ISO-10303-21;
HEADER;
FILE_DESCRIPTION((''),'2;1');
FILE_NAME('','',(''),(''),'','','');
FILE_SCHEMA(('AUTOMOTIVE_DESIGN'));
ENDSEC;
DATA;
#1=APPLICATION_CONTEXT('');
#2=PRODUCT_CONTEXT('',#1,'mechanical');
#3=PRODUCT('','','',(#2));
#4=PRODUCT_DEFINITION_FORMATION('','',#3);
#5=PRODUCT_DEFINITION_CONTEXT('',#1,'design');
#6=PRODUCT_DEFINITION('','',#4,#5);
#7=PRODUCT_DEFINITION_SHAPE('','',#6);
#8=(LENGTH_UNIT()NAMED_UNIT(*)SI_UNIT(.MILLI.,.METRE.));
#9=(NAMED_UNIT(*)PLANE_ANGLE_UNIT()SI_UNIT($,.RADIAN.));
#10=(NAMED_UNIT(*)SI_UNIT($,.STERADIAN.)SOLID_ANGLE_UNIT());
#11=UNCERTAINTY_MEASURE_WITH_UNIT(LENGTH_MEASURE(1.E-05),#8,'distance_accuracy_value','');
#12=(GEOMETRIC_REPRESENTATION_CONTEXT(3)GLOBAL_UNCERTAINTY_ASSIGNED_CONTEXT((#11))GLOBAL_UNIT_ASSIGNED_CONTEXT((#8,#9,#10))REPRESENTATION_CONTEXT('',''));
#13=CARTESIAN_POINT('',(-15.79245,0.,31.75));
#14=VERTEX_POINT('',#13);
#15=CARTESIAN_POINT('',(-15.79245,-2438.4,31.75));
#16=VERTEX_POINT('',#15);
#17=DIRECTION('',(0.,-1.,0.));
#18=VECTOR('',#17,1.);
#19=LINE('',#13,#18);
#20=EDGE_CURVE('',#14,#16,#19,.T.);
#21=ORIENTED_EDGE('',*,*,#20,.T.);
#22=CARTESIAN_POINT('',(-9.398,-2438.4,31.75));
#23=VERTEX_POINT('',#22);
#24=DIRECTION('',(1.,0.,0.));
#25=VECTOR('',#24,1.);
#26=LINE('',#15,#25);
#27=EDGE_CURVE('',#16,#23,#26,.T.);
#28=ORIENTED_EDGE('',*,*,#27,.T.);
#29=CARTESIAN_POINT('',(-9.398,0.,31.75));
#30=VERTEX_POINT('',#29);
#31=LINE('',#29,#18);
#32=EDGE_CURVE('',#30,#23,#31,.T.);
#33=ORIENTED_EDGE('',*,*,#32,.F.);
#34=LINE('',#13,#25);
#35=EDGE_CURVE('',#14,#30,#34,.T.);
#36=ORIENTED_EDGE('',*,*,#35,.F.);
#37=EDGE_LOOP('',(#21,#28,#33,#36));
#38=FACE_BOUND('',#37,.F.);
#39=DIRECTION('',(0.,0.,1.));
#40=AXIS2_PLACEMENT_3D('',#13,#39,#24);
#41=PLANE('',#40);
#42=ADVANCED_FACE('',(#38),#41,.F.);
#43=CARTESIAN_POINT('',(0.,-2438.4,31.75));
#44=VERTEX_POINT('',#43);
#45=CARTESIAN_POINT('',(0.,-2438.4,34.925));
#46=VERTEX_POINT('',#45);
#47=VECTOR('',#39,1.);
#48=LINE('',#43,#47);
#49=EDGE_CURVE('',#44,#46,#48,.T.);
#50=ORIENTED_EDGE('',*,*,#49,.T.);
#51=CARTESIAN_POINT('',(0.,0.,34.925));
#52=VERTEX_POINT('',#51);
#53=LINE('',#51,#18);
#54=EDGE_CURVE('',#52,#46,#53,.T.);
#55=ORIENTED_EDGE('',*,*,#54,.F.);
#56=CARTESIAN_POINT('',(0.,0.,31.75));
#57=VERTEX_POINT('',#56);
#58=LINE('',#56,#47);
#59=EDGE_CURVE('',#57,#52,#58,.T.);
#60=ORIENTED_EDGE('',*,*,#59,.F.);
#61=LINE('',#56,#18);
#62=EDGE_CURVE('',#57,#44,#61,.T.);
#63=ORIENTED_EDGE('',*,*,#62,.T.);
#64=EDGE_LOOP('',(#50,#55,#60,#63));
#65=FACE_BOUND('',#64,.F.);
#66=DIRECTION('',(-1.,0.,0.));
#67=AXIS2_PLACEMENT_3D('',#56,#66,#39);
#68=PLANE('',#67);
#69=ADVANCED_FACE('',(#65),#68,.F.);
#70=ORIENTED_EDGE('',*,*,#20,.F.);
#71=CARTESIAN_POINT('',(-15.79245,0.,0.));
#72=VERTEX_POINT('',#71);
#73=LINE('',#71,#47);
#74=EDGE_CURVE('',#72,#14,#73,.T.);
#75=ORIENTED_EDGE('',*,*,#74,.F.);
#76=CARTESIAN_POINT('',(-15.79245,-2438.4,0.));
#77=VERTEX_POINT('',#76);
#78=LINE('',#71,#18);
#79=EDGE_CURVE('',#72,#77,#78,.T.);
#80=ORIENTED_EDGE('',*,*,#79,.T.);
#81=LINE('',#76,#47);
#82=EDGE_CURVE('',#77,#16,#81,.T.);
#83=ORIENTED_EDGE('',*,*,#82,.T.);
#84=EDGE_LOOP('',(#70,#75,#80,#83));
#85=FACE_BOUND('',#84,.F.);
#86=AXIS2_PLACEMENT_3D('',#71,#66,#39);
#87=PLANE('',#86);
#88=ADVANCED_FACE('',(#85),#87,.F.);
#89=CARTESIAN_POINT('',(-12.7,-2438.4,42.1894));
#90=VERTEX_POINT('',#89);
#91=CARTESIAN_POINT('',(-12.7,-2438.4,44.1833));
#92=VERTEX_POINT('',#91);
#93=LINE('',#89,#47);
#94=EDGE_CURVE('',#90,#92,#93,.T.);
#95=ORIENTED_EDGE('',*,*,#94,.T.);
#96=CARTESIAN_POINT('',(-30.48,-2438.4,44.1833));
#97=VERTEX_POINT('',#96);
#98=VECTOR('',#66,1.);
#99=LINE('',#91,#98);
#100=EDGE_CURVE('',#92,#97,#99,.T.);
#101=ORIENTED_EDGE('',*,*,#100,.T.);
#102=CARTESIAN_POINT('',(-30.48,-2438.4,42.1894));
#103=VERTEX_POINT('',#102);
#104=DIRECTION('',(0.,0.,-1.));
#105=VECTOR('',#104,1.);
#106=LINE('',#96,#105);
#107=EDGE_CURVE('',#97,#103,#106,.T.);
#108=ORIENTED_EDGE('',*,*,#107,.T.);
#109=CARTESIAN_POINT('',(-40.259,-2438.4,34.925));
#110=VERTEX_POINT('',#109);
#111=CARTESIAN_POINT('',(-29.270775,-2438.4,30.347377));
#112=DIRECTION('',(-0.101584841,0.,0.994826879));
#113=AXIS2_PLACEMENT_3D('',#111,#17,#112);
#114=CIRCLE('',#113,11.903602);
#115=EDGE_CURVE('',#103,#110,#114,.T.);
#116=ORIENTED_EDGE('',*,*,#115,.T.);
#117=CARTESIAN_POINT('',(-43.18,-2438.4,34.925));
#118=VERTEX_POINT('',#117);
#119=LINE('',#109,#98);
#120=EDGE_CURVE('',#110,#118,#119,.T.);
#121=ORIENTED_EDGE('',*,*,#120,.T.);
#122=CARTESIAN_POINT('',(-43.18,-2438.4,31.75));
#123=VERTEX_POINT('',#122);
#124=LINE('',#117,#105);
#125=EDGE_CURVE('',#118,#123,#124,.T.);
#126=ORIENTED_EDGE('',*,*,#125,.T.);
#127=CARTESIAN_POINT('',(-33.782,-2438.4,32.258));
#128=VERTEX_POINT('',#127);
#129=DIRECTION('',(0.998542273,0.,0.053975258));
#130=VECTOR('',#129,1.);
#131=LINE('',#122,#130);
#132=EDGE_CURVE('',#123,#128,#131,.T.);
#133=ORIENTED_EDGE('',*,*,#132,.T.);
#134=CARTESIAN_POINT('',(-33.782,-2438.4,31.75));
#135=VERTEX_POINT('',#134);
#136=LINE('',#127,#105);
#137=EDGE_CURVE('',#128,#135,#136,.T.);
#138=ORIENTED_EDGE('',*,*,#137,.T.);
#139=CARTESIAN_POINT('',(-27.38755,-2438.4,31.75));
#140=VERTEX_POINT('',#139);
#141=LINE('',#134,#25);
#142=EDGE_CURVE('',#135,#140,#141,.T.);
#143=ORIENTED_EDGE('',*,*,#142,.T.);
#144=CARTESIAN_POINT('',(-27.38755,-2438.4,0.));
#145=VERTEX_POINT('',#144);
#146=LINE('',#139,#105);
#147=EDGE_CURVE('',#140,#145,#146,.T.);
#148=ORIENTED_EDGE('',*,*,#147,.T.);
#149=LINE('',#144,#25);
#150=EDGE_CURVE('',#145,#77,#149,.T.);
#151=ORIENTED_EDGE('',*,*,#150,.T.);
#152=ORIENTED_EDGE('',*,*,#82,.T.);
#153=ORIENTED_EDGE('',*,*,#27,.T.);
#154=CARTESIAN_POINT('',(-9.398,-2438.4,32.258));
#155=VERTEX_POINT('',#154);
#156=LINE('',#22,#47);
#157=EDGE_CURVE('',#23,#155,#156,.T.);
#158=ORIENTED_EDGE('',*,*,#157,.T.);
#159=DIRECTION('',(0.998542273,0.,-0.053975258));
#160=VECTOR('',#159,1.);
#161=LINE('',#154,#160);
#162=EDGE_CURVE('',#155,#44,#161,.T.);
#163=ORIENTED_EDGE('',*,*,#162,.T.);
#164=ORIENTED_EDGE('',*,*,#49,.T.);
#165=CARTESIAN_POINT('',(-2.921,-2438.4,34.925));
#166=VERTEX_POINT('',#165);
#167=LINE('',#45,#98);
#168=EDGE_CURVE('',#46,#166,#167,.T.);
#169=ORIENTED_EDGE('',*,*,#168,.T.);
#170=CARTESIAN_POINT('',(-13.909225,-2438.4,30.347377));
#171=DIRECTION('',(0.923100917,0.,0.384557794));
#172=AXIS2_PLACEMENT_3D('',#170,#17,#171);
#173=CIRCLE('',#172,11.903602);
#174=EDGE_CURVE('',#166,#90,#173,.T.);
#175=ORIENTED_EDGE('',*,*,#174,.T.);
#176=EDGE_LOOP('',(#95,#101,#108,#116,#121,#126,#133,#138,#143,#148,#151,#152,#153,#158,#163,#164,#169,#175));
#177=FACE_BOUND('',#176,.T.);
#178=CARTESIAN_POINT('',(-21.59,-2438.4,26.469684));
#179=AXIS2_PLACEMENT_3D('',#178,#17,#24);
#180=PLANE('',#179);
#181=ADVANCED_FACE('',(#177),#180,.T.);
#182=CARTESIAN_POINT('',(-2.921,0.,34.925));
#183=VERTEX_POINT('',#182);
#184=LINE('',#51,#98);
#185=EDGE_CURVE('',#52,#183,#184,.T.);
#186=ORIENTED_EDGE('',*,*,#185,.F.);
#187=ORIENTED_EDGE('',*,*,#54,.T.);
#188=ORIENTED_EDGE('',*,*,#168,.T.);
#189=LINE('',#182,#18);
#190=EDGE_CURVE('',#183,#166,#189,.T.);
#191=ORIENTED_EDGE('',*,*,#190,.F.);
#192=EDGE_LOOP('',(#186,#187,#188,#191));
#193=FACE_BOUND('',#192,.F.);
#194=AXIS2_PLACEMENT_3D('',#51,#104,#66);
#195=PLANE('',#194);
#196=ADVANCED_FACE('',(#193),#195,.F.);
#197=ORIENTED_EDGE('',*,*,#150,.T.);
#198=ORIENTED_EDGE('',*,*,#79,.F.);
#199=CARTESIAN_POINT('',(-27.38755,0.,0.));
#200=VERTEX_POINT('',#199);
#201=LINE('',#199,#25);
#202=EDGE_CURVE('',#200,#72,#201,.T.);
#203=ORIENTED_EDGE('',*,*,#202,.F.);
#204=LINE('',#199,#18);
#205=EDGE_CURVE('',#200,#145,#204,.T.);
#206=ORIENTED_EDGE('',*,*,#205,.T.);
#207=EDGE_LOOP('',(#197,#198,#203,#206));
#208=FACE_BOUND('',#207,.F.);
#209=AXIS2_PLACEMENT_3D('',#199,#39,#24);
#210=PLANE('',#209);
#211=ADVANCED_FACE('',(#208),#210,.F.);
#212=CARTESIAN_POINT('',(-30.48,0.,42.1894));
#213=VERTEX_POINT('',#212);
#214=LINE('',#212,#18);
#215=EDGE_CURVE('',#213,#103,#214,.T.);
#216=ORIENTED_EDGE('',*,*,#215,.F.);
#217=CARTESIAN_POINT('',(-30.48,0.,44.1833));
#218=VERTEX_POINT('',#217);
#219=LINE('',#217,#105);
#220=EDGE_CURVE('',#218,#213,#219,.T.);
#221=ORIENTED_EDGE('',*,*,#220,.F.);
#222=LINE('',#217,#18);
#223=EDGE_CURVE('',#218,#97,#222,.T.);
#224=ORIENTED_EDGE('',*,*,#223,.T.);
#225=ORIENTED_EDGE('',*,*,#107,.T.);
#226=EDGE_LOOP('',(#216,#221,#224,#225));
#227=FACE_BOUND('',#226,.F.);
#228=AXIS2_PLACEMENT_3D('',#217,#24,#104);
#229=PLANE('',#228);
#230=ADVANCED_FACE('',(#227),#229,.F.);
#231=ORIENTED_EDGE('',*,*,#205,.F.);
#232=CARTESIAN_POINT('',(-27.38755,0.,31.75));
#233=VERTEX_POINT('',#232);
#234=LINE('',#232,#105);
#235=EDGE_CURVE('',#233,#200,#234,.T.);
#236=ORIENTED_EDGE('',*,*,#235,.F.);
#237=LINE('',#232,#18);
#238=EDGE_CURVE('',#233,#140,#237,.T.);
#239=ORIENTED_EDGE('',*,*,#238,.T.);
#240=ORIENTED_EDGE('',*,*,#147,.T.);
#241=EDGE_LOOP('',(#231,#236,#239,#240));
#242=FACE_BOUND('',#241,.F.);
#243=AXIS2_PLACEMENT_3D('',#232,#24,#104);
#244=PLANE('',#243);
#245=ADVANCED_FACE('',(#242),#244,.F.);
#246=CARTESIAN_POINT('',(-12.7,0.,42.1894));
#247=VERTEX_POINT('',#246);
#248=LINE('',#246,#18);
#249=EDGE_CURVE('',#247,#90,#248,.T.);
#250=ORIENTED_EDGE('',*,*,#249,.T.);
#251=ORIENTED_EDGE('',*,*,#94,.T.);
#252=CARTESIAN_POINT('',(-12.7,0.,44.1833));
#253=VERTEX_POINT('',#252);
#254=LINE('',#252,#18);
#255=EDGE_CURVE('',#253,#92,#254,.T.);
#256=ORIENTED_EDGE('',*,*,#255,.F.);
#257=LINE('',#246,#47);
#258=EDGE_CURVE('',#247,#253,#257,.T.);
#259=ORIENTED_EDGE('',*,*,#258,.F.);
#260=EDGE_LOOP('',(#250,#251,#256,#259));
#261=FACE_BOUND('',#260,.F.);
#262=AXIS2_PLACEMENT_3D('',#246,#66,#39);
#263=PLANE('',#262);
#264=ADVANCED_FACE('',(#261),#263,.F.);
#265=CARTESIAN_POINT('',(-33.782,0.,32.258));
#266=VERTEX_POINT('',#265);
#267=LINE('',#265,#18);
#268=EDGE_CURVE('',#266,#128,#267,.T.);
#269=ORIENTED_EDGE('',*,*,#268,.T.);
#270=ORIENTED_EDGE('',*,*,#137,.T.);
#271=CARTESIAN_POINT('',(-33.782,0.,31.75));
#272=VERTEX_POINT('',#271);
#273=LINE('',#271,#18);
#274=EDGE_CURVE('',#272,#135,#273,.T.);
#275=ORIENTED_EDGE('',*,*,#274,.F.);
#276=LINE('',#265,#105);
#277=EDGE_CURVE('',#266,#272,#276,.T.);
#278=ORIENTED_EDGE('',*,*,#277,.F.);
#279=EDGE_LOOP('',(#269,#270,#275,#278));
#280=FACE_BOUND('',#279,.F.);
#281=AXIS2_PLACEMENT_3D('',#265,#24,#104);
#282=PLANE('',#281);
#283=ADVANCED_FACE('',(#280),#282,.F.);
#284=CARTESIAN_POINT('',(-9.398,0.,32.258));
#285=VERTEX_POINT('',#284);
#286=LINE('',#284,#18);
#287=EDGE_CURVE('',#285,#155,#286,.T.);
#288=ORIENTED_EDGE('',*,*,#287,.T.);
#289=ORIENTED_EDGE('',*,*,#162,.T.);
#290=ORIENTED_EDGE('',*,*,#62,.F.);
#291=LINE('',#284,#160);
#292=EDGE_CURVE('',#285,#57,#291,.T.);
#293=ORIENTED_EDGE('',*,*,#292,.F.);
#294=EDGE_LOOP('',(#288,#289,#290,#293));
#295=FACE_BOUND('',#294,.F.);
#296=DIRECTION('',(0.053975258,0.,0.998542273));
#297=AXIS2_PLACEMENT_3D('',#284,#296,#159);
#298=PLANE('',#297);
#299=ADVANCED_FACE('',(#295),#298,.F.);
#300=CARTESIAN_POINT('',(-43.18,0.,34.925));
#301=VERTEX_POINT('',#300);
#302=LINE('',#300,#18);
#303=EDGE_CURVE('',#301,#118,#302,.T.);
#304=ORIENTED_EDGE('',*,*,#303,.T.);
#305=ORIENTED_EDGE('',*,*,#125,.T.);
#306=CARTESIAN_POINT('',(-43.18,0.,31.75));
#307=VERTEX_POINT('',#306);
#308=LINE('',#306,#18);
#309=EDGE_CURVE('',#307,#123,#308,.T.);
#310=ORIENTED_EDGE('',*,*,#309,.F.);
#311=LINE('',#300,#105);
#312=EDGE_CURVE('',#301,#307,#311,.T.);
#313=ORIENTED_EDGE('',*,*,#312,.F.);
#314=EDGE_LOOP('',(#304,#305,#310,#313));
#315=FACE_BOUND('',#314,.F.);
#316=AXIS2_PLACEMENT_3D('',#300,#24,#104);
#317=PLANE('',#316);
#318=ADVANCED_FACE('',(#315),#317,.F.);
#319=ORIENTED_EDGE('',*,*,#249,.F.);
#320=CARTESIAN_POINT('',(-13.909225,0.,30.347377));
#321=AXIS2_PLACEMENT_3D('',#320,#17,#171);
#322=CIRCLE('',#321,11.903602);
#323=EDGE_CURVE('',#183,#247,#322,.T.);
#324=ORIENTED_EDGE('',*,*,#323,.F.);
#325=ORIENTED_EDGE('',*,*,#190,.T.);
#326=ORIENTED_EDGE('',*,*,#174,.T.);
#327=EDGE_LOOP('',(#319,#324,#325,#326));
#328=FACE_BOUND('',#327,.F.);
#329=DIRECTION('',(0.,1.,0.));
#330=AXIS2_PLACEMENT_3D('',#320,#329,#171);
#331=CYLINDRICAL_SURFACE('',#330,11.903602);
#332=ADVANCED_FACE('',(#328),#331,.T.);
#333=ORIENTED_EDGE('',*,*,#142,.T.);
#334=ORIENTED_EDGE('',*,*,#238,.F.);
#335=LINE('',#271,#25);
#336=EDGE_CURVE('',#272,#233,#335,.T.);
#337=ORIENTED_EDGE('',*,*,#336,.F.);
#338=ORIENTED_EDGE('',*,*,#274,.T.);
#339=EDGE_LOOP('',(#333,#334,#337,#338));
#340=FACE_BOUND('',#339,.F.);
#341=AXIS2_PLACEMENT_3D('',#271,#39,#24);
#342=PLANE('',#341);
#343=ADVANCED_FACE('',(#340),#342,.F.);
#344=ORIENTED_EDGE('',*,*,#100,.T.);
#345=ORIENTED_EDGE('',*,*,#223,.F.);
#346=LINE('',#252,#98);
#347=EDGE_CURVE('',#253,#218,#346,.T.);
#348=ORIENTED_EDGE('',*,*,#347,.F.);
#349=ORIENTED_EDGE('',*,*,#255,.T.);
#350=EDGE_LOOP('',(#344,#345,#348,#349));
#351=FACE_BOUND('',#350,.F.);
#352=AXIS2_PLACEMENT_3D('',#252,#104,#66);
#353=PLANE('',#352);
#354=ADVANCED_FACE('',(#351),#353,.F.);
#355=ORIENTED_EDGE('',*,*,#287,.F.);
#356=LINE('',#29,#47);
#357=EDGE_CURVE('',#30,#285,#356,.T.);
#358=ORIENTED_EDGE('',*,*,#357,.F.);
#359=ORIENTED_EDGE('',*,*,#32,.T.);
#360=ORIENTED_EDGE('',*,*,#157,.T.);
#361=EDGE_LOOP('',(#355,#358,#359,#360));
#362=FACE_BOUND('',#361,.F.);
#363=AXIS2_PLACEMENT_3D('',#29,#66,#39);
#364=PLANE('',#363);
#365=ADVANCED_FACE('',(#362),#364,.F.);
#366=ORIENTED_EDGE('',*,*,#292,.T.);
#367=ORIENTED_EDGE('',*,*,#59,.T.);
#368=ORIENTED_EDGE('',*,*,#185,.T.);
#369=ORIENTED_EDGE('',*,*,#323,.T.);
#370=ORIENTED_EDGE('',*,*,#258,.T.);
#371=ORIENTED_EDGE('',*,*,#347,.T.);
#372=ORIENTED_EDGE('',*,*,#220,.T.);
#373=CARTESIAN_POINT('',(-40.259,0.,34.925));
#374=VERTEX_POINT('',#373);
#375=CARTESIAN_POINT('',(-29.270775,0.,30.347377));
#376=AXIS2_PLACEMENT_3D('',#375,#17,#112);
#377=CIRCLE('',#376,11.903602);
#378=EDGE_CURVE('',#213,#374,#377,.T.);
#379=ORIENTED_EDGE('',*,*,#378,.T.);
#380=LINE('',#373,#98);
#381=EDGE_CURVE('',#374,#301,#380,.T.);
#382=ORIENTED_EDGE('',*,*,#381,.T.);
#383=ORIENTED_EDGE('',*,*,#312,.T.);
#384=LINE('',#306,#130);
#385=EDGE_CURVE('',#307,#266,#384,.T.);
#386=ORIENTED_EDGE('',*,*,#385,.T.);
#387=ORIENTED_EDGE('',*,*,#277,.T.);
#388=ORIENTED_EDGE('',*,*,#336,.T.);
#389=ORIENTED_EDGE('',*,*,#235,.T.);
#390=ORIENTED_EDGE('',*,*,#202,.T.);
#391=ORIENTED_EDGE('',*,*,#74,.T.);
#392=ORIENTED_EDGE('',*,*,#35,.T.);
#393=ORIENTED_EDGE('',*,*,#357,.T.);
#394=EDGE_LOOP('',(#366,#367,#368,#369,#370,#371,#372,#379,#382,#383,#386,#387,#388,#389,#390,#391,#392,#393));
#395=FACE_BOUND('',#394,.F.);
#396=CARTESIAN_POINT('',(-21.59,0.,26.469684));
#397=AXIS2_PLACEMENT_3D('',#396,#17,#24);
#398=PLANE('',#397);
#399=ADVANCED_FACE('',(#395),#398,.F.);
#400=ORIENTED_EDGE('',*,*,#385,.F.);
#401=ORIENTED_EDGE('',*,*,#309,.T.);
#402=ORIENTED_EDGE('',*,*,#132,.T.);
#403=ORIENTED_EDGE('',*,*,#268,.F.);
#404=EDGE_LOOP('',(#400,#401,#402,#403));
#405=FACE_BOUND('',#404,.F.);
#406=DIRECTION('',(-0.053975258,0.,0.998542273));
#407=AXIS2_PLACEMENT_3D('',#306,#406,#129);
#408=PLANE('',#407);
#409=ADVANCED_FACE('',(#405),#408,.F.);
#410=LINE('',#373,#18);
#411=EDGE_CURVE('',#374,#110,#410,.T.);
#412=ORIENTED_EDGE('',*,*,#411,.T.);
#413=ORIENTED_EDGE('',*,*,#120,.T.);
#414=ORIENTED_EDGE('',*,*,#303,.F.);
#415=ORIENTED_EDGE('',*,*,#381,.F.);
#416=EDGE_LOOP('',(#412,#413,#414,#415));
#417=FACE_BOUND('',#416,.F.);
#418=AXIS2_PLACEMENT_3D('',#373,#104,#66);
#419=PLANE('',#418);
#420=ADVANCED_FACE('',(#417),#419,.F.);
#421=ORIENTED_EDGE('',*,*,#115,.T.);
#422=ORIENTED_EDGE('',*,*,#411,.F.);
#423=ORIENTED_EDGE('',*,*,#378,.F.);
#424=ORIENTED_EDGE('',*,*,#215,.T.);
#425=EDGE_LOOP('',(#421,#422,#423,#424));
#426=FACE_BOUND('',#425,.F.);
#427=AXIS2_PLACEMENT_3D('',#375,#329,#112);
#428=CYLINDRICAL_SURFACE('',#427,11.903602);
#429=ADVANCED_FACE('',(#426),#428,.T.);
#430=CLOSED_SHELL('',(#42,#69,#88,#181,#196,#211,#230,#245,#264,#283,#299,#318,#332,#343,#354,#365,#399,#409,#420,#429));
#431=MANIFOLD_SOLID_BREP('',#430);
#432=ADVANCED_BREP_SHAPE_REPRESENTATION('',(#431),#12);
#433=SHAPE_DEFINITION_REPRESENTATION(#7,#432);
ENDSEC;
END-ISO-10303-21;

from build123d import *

# Parameters (mm, degrees)
F1_DEPTH = 2438.4


with BuildPart() as f1:
    # F0 (on Front) → F1 (new body)
    with BuildSketch(Plane.XZ):
        with BuildLine():
            Line((-27.38755, 0), (-15.79245, 0))
            Line((-15.79245, 0), (-15.79245, 31.75))
            Line((-15.79245, 31.75), (-9.398, 31.75))
            Line((-9.398, 31.75), (-9.398, 32.258))
            Line((-9.398, 32.258), (0, 31.75))
            Line((0, 31.75), (0, 34.925))
            Line((0, 34.925), (-2.921, 34.925))
            ThreePointArc((-2.921, 34.925), (-6.810822, 39.90292), (-12.7, 42.1894))
            Line((-12.7, 42.1894), (-12.7, 44.1833))
            Line((-12.7, 44.1833), (-30.48, 44.1833))
            Line((-30.48, 44.1833), (-30.48, 42.1894))
            ThreePointArc((-30.48, 42.1894), (-36.369178, 39.90292), (-40.259, 34.925))
            Line((-40.259, 34.925), (-43.18, 34.925))
            Line((-43.18, 34.925), (-43.18, 31.75))
            Line((-43.18, 31.75), (-33.782, 32.258))
            Line((-33.782, 32.258), (-33.782, 31.75))
            Line((-33.782, 31.75), (-27.38755, 31.75))
            Line((-27.38755, 31.75), (-27.38755, 0))
        make_face()
    extrude(amount=F1_DEPTH)


solid = f1.part
